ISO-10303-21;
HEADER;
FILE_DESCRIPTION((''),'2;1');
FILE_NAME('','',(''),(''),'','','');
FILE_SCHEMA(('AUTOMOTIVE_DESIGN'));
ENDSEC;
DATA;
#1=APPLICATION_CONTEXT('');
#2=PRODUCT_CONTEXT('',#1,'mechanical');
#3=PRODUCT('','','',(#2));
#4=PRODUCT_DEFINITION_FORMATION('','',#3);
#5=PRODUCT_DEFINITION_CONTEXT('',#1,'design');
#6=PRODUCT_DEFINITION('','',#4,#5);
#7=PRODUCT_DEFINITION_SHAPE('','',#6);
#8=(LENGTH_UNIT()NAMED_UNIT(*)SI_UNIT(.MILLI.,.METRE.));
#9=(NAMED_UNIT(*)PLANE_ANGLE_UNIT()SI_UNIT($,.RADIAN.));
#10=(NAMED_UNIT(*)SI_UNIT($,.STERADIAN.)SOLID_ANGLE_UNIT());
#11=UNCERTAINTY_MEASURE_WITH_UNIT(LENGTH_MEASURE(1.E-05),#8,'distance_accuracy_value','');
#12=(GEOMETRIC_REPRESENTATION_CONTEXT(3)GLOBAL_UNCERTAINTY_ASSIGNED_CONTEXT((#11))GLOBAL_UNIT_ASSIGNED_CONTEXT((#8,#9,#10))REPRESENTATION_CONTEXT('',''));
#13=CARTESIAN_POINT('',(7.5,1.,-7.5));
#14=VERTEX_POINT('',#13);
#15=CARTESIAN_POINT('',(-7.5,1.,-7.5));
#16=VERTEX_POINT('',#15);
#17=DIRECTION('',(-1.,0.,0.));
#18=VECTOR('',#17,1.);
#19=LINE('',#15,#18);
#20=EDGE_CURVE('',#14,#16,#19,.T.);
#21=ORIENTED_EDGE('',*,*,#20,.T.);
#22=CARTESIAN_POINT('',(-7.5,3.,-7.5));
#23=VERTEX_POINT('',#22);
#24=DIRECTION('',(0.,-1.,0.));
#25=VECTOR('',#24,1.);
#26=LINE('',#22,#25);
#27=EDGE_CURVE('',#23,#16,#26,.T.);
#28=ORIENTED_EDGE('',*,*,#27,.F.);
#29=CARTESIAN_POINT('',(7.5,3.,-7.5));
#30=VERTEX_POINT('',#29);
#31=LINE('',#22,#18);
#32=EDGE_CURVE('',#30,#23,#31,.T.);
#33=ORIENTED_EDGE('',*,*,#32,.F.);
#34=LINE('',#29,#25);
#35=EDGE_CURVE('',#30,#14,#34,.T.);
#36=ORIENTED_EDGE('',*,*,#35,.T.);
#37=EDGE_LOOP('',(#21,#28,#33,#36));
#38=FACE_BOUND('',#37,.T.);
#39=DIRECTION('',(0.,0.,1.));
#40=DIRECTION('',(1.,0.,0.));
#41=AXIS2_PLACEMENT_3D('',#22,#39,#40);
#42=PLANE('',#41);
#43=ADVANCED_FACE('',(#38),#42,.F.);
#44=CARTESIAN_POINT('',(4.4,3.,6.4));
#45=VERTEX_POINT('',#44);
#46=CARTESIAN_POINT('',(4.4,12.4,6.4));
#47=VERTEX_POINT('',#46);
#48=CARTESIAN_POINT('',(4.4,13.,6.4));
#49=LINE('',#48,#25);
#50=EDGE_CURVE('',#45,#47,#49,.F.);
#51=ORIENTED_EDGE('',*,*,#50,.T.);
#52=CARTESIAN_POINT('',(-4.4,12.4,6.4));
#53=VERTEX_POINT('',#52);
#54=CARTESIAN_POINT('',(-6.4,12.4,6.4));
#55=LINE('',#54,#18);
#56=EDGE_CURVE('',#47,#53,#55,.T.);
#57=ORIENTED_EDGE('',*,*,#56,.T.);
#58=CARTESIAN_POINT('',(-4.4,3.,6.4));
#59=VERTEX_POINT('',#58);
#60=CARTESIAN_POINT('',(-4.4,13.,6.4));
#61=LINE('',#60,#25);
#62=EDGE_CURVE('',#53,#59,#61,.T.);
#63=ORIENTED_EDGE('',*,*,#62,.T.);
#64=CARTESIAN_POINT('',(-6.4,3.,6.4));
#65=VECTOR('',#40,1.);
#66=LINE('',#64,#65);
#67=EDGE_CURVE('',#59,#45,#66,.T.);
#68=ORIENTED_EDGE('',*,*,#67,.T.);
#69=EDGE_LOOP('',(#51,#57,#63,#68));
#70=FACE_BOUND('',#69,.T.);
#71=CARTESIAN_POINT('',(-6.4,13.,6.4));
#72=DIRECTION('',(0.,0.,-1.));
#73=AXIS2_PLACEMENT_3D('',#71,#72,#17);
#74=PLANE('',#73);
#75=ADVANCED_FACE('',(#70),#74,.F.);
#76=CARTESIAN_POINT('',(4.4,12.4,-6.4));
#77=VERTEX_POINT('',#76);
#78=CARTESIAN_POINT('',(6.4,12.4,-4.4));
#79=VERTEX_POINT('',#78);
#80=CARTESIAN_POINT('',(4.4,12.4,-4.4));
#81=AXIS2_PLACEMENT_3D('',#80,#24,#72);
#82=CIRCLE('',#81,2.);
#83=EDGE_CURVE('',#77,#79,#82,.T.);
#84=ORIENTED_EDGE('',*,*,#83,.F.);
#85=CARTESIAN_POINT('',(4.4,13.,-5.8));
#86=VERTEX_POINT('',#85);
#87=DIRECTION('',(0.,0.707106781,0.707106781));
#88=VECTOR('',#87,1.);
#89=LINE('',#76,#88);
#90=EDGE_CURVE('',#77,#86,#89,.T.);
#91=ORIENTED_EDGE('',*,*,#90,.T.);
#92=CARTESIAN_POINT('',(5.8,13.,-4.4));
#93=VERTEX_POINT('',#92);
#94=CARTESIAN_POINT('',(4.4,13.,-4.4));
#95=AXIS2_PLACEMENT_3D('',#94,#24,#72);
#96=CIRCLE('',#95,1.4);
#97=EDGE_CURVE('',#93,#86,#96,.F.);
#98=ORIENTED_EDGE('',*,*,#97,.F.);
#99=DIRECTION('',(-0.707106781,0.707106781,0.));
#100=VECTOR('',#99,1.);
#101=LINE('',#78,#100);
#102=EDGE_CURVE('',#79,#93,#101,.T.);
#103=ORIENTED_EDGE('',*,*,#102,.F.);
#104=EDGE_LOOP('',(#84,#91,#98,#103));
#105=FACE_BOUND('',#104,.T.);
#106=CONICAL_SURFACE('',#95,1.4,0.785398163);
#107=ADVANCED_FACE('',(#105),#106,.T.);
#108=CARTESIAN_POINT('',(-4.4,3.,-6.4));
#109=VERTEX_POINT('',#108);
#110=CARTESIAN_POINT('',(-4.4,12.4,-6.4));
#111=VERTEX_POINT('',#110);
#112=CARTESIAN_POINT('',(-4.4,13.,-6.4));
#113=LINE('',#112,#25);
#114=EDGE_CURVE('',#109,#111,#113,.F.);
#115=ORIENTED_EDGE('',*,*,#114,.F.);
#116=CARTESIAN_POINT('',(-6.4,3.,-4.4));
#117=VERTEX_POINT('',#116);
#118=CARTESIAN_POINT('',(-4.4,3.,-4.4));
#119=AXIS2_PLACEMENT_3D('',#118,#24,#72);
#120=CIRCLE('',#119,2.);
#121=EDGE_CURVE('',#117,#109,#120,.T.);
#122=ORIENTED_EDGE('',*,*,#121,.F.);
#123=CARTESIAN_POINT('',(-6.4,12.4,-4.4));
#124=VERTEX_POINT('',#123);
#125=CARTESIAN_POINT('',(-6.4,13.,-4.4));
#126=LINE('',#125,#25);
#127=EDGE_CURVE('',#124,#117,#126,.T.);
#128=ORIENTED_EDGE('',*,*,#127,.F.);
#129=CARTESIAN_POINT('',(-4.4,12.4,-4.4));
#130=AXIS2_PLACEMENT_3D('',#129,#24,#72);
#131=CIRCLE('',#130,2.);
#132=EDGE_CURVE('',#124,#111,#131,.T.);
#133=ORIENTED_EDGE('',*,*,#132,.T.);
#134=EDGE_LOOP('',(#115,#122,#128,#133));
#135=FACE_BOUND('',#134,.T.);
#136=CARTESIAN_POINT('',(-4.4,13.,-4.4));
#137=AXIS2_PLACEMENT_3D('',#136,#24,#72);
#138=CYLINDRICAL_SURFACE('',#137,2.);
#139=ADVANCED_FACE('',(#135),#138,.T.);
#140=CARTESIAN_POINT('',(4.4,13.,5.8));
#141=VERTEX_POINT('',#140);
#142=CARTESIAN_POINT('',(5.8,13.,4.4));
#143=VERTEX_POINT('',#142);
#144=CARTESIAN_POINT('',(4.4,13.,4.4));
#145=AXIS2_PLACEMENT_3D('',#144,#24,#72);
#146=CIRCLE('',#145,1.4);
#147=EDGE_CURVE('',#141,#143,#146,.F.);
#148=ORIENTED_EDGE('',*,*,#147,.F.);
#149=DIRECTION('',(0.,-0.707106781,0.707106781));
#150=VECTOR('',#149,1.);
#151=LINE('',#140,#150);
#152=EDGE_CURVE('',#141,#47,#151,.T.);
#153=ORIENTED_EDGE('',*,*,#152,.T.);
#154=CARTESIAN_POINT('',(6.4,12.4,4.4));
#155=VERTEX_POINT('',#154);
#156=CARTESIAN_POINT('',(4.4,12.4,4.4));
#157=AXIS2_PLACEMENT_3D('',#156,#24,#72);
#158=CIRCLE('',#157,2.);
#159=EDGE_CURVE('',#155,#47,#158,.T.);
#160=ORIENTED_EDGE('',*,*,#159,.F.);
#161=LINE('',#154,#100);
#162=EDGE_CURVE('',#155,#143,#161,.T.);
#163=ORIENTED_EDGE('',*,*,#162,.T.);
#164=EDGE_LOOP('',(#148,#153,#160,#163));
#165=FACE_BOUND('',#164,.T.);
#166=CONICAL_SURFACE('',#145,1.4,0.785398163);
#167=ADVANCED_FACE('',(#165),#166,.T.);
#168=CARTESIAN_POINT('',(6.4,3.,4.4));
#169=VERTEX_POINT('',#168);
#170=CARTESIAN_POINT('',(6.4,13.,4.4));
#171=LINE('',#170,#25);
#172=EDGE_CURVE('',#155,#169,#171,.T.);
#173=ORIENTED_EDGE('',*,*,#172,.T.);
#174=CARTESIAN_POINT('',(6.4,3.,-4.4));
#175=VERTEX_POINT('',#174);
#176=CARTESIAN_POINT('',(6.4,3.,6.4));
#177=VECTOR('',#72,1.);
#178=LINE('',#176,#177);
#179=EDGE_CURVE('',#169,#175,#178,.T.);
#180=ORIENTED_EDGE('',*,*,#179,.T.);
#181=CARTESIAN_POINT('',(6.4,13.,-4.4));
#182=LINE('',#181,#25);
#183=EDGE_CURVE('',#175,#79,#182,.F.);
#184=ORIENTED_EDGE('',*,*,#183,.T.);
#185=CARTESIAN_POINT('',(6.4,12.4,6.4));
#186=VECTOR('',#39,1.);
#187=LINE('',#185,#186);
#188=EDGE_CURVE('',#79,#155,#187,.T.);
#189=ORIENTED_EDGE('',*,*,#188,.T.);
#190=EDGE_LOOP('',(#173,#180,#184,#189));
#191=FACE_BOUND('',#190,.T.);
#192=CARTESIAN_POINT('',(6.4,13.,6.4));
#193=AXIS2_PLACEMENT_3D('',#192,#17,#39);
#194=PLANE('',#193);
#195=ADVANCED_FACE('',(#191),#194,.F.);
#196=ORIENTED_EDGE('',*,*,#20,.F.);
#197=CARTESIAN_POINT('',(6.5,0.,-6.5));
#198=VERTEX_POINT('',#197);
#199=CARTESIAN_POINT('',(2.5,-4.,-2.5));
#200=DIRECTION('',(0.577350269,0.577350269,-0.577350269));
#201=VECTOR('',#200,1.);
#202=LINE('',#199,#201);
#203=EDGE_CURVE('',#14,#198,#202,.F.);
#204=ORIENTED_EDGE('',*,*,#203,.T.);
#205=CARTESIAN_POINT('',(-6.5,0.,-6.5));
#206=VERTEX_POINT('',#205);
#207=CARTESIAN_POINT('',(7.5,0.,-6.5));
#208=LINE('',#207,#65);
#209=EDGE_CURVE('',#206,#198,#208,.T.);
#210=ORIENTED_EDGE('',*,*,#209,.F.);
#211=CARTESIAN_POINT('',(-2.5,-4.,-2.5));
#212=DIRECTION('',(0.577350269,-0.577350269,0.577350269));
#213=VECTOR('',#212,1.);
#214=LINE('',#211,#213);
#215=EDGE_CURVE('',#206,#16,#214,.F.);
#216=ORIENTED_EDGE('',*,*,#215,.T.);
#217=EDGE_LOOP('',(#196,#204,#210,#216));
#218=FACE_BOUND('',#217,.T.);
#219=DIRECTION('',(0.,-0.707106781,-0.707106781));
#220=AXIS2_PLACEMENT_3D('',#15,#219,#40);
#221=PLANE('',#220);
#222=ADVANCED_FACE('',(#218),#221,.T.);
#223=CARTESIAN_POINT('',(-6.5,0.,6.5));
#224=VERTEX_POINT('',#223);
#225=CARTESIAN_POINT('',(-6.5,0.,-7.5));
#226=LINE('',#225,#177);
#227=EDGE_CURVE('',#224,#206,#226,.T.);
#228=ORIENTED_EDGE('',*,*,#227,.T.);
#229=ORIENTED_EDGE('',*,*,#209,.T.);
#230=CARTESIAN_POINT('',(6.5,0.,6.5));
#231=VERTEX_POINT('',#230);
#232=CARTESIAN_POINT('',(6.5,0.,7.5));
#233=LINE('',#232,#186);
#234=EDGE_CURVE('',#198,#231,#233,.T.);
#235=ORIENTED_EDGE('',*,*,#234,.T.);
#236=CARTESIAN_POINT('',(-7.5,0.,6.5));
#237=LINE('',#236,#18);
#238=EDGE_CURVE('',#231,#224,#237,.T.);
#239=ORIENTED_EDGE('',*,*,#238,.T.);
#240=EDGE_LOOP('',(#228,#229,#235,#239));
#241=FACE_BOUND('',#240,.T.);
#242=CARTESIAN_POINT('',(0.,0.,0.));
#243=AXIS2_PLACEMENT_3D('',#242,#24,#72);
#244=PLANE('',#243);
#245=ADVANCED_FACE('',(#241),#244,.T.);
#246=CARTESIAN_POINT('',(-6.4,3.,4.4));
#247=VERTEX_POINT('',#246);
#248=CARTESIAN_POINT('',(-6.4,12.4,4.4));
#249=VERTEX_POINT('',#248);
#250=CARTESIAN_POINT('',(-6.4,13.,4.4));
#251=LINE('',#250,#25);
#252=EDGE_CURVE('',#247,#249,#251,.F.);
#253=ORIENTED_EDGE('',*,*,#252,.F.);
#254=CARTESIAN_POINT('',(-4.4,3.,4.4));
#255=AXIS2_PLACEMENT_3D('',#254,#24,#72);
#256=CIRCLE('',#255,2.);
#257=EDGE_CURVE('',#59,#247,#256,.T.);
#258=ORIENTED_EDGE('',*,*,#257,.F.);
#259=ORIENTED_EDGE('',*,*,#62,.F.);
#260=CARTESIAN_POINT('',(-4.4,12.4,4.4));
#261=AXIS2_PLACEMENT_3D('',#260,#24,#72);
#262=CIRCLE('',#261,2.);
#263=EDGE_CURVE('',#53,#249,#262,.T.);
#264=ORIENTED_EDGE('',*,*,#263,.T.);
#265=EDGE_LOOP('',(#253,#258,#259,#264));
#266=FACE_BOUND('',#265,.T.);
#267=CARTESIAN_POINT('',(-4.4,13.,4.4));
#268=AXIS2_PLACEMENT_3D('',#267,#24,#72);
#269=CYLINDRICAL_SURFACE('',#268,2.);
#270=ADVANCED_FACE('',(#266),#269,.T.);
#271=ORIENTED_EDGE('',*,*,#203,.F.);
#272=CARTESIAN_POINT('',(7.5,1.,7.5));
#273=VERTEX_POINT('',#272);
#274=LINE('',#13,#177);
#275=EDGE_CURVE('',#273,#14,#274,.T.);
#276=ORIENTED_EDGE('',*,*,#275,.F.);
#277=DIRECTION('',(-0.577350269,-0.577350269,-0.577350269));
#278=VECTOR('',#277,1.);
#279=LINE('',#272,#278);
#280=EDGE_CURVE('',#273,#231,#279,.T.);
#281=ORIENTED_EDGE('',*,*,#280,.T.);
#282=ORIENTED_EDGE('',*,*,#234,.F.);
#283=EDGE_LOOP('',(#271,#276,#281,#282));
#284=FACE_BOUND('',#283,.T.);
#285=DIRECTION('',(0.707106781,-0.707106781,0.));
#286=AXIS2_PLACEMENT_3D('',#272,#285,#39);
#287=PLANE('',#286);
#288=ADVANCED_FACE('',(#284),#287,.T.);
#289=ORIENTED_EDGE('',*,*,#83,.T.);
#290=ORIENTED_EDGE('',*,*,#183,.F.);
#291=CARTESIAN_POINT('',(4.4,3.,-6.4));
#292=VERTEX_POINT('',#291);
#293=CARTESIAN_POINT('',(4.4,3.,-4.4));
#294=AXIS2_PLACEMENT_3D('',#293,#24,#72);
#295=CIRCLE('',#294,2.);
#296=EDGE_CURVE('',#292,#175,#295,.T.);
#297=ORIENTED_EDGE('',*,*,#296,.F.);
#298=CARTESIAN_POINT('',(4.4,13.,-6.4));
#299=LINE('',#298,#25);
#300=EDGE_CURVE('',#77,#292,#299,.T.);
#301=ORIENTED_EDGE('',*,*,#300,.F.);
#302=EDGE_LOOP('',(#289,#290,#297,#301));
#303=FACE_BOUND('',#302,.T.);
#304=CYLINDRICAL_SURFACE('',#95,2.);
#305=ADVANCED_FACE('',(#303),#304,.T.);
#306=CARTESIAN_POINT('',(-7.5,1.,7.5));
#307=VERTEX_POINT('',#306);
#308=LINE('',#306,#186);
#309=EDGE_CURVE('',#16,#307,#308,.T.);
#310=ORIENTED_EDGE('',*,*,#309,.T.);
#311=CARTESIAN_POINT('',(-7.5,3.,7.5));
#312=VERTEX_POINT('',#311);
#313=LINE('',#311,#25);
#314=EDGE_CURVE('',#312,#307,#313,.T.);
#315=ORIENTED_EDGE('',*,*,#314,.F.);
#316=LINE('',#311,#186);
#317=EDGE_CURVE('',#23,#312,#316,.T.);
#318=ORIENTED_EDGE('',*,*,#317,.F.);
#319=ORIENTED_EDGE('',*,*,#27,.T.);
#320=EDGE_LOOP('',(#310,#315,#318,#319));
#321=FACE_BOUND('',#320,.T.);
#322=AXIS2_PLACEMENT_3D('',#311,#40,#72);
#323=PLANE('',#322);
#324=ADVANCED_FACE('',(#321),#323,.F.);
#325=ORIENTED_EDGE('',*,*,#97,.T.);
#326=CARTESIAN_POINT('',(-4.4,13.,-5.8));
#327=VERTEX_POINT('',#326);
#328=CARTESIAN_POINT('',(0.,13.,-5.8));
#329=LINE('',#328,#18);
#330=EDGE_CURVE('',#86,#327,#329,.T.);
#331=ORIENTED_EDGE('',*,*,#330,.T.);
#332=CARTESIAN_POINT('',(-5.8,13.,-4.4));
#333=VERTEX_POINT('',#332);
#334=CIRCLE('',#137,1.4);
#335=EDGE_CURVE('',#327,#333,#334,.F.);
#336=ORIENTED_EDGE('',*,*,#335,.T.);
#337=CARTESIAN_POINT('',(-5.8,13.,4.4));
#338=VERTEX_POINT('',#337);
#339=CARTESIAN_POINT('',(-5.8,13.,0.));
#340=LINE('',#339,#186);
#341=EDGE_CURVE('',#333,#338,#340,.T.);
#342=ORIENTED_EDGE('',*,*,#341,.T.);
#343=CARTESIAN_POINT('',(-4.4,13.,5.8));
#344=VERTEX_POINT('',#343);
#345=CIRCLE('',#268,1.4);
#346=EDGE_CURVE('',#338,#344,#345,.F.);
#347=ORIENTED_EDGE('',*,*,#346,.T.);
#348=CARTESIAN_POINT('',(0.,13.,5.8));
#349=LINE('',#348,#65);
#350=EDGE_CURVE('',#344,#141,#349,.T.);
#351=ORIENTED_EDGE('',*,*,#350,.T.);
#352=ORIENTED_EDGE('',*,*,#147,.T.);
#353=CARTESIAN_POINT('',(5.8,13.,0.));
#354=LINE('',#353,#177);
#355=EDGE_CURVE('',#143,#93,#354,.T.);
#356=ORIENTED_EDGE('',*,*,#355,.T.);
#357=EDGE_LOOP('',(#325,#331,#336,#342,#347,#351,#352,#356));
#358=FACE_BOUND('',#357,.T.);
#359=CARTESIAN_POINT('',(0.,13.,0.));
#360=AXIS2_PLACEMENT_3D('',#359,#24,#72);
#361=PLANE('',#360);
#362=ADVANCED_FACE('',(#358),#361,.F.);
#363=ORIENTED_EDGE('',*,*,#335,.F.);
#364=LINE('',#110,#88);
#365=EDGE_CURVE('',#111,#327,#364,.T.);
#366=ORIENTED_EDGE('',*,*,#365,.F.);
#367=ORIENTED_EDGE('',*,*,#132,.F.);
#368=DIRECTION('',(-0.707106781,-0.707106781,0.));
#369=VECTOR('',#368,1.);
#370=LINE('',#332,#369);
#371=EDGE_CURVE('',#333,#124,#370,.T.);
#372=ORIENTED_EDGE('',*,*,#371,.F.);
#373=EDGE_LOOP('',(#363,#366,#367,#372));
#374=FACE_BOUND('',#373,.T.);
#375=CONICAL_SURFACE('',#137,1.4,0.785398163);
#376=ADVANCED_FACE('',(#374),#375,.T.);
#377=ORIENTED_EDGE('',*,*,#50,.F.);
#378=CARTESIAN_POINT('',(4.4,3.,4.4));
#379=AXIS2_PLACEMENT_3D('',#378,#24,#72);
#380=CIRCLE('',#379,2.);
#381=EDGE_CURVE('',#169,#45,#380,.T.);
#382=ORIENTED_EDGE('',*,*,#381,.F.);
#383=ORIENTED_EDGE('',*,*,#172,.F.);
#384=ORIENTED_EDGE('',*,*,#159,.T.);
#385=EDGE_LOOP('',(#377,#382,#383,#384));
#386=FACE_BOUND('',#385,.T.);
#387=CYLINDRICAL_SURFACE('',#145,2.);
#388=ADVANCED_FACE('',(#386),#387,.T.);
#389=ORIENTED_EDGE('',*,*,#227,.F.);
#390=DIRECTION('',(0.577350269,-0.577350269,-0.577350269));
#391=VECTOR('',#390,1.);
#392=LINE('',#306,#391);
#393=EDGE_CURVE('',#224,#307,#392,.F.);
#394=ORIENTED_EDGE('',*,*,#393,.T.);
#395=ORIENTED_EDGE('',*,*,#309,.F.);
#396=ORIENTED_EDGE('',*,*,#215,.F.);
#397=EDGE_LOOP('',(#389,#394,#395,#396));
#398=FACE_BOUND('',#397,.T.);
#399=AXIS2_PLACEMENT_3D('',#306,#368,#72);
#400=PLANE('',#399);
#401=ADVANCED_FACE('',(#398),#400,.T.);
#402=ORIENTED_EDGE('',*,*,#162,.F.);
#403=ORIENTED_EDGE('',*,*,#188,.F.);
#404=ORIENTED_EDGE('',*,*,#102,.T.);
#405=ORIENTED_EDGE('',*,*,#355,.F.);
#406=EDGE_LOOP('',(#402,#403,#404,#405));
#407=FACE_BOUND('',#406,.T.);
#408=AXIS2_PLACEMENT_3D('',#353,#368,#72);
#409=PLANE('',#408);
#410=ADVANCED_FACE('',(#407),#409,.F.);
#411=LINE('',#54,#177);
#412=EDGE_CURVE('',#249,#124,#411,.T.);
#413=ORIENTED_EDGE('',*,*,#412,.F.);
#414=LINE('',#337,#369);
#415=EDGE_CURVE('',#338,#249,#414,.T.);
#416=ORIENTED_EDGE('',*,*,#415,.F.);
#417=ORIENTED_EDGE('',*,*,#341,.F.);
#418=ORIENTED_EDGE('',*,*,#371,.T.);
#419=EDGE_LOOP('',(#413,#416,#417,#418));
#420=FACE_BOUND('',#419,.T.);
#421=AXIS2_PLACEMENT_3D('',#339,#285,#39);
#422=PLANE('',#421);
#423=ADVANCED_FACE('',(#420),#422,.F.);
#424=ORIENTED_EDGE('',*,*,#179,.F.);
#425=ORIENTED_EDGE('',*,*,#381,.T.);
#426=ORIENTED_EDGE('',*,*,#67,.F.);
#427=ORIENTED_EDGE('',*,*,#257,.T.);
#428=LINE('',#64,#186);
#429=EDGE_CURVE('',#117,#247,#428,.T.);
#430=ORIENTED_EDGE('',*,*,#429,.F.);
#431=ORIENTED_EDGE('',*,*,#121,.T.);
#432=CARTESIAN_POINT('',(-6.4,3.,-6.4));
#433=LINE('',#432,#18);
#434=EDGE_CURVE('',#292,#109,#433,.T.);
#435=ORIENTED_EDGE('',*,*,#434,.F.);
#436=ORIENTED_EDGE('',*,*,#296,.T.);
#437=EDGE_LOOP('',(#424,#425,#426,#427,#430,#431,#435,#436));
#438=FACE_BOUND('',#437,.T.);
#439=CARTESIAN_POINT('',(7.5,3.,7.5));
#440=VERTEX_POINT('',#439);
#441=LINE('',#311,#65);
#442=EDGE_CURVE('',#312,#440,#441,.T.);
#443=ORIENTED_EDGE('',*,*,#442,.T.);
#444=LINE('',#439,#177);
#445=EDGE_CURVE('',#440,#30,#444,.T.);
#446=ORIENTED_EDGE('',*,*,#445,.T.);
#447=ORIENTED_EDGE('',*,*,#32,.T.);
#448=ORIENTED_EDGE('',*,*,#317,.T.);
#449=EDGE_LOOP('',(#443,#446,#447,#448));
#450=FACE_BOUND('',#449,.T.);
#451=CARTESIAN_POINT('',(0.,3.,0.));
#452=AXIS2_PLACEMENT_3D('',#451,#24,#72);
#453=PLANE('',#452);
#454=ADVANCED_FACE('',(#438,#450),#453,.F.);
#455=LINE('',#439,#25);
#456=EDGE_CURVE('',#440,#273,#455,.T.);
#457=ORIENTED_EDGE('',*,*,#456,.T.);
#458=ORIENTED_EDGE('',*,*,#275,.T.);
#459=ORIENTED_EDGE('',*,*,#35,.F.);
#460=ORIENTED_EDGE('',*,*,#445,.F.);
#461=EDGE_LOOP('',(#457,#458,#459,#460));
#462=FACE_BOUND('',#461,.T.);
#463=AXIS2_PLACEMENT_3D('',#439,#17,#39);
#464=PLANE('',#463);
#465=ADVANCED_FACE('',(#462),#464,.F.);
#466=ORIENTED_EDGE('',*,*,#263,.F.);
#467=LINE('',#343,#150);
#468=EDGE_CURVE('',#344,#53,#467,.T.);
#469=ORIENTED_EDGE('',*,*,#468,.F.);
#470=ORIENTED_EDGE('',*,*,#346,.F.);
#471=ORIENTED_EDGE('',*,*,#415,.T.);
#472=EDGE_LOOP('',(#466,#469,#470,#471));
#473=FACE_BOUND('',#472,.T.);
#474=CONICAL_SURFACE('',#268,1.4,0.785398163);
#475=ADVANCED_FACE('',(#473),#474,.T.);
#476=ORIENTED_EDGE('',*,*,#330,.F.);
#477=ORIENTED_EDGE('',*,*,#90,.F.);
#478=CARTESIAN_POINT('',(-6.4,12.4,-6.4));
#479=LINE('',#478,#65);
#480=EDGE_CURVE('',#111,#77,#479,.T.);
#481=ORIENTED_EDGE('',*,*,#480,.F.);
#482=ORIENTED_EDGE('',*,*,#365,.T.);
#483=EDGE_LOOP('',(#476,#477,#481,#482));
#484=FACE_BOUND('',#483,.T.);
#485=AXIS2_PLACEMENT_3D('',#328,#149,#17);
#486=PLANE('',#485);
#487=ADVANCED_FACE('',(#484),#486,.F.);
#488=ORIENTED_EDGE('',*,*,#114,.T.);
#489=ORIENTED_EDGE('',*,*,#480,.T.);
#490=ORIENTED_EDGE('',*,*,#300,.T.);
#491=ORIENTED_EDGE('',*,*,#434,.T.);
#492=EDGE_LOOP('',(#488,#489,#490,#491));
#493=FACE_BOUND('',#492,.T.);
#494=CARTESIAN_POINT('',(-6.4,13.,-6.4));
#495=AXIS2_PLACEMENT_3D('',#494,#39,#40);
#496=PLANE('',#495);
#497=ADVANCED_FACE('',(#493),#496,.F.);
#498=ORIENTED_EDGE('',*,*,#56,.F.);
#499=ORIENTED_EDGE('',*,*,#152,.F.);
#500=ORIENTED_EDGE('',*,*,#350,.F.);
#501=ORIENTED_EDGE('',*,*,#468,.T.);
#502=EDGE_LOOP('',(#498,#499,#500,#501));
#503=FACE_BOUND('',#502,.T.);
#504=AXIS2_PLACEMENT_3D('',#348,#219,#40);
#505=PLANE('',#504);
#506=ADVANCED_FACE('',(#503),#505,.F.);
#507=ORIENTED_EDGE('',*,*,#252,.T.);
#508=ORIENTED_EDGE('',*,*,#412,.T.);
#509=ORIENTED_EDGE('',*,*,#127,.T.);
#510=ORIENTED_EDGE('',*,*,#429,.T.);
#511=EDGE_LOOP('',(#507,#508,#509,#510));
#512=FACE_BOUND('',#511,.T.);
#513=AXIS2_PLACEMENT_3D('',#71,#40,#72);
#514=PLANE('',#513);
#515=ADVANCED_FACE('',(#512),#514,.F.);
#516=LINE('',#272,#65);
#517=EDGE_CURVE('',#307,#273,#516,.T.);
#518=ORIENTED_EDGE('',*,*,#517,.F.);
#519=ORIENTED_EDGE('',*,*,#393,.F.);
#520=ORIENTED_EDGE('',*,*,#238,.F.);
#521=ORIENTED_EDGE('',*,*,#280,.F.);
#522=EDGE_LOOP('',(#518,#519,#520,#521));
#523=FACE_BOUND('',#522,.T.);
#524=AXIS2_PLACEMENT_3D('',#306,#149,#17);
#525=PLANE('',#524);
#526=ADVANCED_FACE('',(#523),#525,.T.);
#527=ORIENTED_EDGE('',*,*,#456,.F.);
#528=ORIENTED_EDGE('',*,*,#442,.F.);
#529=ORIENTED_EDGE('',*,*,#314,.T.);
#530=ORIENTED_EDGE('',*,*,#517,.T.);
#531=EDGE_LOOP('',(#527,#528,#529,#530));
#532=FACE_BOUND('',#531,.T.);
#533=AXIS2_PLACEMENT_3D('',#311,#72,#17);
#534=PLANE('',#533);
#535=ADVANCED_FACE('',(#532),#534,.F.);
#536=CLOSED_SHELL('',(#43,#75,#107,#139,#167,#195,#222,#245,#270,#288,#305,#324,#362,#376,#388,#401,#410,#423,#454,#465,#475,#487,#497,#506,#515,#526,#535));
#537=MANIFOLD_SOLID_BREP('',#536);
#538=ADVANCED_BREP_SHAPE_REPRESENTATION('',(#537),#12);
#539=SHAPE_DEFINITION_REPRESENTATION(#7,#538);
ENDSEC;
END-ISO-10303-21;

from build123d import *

# Parameters (mm, degrees)
SKETCH_1_W      = 15
SKETCH_1_H      = 15
EXTRUDE_1_DEPTH = 3
SKETCH_2_W      = 12.8
SKETCH_2_H      = 12.8
EXTRUDE_2_DEPTH = 10
CHAMFER_1_SIZE  = 1
FILLET_1_R      = 2
CHAMFER_2_SIZE  = 0.6


with BuildPart() as part:
    # 草图1 → 凸台-拉伸1 (new body)
    with BuildSketch(Plane(origin=(0, 0, 0), x_dir=(1, 0, 0), z_dir=(0, 1, 0))):
        Rectangle(SKETCH_1_W, SKETCH_1_H)
    extrude(amount=EXTRUDE_1_DEPTH)

    # 草图2 → 凸台-拉伸2 (add)
    with BuildSketch(Plane(origin=(0, 3, 0), x_dir=(1, 0, 0), z_dir=(0, 1, 0))):
        Rectangle(SKETCH_2_W, SKETCH_2_H)
    extrude(amount=EXTRUDE_2_DEPTH)

    # 倒角1
    chamfer_1_edges = [part.edges().sort_by_distance(p)[0] for p in [
        (0, 0, 7.5),
        (-7.5, 0, 0),
        (0, 0, -7.5),
        (7.5, 0, 0),
    ]]
    chamfer(chamfer_1_edges, length=CHAMFER_1_SIZE)

    # 圆角1
    fillet_1_edges = [part.edges().sort_by_distance(p)[0] for p in [
        (6.4, 8, 6.4),
        (6.4, 8, -6.4),
        (-6.4, 8, -6.4),
        (-6.4, 8, 6.4),
    ]]
    fillet(fillet_1_edges, radius=FILLET_1_R)

    # 倒角2
    chamfer_2_edges = [part.edges().sort_by_distance(p)[0] for p in [
        (0, 13, -6.4),
        (6.4, 13, 0),
        (-6.4, 13, 0),
        (0, 13, 6.4),
        (5.814213562, 13, 5.814213562),
        (-5.814213562, 13, 5.814213562),
        (-5.814213562, 13, -5.814213562),
        (5.814213562, 13, -5.814213562),
    ]]
    chamfer(chamfer_2_edges, length=CHAMFER_2_SIZE)


solid = part.part
